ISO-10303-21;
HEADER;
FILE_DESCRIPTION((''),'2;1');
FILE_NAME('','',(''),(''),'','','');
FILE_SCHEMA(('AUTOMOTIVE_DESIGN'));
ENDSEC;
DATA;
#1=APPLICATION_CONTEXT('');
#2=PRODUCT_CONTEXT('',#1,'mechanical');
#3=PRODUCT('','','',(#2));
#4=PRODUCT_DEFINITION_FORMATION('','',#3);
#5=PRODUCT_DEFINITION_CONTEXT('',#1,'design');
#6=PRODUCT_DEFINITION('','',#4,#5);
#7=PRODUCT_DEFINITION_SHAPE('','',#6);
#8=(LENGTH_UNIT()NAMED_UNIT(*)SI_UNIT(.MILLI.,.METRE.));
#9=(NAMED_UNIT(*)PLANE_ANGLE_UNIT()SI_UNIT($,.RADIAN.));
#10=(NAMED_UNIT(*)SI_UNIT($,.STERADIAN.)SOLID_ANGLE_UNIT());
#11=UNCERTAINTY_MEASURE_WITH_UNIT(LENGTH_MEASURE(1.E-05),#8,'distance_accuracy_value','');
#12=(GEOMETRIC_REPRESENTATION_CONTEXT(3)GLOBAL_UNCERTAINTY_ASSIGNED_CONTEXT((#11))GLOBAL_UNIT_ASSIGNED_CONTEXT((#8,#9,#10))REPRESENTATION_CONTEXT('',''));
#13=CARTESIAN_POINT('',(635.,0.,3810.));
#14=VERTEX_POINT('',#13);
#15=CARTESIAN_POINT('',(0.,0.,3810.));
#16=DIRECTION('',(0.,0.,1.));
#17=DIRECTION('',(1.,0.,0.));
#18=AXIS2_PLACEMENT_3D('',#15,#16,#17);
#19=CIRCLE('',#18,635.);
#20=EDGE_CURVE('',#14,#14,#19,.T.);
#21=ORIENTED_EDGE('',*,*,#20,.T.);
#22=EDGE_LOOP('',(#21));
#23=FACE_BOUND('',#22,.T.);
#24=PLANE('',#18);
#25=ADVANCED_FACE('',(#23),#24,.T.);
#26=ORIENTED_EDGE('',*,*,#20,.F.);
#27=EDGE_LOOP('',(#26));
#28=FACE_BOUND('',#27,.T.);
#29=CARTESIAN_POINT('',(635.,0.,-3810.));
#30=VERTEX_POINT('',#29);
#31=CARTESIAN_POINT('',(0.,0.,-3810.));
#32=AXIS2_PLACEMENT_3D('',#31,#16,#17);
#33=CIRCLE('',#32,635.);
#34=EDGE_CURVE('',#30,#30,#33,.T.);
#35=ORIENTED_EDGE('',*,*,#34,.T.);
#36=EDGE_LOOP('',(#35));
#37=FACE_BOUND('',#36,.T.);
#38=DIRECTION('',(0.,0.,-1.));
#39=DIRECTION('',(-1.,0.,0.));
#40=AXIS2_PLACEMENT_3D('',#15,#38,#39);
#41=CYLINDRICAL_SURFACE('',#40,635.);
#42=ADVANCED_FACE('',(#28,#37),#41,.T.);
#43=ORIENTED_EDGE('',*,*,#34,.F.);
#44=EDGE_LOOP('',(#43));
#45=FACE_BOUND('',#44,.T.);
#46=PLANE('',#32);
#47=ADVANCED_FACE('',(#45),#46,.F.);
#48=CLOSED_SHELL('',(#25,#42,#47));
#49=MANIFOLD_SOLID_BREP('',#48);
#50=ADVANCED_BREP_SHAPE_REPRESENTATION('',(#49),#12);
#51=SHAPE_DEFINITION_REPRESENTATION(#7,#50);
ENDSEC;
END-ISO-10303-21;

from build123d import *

# Parameters (mm, degrees)
SKETCH1_R           = 635
BOSS_EXTRUDE1_DEPTH = 3810


with BuildPart() as part:
    # Sketch1 → Boss-Extrude1 (new body, symmetric)
    with BuildSketch(Plane.XY):
        Circle(SKETCH1_R)
    extrude(amount=BOSS_EXTRUDE1_DEPTH, both=True)


solid = part.part
